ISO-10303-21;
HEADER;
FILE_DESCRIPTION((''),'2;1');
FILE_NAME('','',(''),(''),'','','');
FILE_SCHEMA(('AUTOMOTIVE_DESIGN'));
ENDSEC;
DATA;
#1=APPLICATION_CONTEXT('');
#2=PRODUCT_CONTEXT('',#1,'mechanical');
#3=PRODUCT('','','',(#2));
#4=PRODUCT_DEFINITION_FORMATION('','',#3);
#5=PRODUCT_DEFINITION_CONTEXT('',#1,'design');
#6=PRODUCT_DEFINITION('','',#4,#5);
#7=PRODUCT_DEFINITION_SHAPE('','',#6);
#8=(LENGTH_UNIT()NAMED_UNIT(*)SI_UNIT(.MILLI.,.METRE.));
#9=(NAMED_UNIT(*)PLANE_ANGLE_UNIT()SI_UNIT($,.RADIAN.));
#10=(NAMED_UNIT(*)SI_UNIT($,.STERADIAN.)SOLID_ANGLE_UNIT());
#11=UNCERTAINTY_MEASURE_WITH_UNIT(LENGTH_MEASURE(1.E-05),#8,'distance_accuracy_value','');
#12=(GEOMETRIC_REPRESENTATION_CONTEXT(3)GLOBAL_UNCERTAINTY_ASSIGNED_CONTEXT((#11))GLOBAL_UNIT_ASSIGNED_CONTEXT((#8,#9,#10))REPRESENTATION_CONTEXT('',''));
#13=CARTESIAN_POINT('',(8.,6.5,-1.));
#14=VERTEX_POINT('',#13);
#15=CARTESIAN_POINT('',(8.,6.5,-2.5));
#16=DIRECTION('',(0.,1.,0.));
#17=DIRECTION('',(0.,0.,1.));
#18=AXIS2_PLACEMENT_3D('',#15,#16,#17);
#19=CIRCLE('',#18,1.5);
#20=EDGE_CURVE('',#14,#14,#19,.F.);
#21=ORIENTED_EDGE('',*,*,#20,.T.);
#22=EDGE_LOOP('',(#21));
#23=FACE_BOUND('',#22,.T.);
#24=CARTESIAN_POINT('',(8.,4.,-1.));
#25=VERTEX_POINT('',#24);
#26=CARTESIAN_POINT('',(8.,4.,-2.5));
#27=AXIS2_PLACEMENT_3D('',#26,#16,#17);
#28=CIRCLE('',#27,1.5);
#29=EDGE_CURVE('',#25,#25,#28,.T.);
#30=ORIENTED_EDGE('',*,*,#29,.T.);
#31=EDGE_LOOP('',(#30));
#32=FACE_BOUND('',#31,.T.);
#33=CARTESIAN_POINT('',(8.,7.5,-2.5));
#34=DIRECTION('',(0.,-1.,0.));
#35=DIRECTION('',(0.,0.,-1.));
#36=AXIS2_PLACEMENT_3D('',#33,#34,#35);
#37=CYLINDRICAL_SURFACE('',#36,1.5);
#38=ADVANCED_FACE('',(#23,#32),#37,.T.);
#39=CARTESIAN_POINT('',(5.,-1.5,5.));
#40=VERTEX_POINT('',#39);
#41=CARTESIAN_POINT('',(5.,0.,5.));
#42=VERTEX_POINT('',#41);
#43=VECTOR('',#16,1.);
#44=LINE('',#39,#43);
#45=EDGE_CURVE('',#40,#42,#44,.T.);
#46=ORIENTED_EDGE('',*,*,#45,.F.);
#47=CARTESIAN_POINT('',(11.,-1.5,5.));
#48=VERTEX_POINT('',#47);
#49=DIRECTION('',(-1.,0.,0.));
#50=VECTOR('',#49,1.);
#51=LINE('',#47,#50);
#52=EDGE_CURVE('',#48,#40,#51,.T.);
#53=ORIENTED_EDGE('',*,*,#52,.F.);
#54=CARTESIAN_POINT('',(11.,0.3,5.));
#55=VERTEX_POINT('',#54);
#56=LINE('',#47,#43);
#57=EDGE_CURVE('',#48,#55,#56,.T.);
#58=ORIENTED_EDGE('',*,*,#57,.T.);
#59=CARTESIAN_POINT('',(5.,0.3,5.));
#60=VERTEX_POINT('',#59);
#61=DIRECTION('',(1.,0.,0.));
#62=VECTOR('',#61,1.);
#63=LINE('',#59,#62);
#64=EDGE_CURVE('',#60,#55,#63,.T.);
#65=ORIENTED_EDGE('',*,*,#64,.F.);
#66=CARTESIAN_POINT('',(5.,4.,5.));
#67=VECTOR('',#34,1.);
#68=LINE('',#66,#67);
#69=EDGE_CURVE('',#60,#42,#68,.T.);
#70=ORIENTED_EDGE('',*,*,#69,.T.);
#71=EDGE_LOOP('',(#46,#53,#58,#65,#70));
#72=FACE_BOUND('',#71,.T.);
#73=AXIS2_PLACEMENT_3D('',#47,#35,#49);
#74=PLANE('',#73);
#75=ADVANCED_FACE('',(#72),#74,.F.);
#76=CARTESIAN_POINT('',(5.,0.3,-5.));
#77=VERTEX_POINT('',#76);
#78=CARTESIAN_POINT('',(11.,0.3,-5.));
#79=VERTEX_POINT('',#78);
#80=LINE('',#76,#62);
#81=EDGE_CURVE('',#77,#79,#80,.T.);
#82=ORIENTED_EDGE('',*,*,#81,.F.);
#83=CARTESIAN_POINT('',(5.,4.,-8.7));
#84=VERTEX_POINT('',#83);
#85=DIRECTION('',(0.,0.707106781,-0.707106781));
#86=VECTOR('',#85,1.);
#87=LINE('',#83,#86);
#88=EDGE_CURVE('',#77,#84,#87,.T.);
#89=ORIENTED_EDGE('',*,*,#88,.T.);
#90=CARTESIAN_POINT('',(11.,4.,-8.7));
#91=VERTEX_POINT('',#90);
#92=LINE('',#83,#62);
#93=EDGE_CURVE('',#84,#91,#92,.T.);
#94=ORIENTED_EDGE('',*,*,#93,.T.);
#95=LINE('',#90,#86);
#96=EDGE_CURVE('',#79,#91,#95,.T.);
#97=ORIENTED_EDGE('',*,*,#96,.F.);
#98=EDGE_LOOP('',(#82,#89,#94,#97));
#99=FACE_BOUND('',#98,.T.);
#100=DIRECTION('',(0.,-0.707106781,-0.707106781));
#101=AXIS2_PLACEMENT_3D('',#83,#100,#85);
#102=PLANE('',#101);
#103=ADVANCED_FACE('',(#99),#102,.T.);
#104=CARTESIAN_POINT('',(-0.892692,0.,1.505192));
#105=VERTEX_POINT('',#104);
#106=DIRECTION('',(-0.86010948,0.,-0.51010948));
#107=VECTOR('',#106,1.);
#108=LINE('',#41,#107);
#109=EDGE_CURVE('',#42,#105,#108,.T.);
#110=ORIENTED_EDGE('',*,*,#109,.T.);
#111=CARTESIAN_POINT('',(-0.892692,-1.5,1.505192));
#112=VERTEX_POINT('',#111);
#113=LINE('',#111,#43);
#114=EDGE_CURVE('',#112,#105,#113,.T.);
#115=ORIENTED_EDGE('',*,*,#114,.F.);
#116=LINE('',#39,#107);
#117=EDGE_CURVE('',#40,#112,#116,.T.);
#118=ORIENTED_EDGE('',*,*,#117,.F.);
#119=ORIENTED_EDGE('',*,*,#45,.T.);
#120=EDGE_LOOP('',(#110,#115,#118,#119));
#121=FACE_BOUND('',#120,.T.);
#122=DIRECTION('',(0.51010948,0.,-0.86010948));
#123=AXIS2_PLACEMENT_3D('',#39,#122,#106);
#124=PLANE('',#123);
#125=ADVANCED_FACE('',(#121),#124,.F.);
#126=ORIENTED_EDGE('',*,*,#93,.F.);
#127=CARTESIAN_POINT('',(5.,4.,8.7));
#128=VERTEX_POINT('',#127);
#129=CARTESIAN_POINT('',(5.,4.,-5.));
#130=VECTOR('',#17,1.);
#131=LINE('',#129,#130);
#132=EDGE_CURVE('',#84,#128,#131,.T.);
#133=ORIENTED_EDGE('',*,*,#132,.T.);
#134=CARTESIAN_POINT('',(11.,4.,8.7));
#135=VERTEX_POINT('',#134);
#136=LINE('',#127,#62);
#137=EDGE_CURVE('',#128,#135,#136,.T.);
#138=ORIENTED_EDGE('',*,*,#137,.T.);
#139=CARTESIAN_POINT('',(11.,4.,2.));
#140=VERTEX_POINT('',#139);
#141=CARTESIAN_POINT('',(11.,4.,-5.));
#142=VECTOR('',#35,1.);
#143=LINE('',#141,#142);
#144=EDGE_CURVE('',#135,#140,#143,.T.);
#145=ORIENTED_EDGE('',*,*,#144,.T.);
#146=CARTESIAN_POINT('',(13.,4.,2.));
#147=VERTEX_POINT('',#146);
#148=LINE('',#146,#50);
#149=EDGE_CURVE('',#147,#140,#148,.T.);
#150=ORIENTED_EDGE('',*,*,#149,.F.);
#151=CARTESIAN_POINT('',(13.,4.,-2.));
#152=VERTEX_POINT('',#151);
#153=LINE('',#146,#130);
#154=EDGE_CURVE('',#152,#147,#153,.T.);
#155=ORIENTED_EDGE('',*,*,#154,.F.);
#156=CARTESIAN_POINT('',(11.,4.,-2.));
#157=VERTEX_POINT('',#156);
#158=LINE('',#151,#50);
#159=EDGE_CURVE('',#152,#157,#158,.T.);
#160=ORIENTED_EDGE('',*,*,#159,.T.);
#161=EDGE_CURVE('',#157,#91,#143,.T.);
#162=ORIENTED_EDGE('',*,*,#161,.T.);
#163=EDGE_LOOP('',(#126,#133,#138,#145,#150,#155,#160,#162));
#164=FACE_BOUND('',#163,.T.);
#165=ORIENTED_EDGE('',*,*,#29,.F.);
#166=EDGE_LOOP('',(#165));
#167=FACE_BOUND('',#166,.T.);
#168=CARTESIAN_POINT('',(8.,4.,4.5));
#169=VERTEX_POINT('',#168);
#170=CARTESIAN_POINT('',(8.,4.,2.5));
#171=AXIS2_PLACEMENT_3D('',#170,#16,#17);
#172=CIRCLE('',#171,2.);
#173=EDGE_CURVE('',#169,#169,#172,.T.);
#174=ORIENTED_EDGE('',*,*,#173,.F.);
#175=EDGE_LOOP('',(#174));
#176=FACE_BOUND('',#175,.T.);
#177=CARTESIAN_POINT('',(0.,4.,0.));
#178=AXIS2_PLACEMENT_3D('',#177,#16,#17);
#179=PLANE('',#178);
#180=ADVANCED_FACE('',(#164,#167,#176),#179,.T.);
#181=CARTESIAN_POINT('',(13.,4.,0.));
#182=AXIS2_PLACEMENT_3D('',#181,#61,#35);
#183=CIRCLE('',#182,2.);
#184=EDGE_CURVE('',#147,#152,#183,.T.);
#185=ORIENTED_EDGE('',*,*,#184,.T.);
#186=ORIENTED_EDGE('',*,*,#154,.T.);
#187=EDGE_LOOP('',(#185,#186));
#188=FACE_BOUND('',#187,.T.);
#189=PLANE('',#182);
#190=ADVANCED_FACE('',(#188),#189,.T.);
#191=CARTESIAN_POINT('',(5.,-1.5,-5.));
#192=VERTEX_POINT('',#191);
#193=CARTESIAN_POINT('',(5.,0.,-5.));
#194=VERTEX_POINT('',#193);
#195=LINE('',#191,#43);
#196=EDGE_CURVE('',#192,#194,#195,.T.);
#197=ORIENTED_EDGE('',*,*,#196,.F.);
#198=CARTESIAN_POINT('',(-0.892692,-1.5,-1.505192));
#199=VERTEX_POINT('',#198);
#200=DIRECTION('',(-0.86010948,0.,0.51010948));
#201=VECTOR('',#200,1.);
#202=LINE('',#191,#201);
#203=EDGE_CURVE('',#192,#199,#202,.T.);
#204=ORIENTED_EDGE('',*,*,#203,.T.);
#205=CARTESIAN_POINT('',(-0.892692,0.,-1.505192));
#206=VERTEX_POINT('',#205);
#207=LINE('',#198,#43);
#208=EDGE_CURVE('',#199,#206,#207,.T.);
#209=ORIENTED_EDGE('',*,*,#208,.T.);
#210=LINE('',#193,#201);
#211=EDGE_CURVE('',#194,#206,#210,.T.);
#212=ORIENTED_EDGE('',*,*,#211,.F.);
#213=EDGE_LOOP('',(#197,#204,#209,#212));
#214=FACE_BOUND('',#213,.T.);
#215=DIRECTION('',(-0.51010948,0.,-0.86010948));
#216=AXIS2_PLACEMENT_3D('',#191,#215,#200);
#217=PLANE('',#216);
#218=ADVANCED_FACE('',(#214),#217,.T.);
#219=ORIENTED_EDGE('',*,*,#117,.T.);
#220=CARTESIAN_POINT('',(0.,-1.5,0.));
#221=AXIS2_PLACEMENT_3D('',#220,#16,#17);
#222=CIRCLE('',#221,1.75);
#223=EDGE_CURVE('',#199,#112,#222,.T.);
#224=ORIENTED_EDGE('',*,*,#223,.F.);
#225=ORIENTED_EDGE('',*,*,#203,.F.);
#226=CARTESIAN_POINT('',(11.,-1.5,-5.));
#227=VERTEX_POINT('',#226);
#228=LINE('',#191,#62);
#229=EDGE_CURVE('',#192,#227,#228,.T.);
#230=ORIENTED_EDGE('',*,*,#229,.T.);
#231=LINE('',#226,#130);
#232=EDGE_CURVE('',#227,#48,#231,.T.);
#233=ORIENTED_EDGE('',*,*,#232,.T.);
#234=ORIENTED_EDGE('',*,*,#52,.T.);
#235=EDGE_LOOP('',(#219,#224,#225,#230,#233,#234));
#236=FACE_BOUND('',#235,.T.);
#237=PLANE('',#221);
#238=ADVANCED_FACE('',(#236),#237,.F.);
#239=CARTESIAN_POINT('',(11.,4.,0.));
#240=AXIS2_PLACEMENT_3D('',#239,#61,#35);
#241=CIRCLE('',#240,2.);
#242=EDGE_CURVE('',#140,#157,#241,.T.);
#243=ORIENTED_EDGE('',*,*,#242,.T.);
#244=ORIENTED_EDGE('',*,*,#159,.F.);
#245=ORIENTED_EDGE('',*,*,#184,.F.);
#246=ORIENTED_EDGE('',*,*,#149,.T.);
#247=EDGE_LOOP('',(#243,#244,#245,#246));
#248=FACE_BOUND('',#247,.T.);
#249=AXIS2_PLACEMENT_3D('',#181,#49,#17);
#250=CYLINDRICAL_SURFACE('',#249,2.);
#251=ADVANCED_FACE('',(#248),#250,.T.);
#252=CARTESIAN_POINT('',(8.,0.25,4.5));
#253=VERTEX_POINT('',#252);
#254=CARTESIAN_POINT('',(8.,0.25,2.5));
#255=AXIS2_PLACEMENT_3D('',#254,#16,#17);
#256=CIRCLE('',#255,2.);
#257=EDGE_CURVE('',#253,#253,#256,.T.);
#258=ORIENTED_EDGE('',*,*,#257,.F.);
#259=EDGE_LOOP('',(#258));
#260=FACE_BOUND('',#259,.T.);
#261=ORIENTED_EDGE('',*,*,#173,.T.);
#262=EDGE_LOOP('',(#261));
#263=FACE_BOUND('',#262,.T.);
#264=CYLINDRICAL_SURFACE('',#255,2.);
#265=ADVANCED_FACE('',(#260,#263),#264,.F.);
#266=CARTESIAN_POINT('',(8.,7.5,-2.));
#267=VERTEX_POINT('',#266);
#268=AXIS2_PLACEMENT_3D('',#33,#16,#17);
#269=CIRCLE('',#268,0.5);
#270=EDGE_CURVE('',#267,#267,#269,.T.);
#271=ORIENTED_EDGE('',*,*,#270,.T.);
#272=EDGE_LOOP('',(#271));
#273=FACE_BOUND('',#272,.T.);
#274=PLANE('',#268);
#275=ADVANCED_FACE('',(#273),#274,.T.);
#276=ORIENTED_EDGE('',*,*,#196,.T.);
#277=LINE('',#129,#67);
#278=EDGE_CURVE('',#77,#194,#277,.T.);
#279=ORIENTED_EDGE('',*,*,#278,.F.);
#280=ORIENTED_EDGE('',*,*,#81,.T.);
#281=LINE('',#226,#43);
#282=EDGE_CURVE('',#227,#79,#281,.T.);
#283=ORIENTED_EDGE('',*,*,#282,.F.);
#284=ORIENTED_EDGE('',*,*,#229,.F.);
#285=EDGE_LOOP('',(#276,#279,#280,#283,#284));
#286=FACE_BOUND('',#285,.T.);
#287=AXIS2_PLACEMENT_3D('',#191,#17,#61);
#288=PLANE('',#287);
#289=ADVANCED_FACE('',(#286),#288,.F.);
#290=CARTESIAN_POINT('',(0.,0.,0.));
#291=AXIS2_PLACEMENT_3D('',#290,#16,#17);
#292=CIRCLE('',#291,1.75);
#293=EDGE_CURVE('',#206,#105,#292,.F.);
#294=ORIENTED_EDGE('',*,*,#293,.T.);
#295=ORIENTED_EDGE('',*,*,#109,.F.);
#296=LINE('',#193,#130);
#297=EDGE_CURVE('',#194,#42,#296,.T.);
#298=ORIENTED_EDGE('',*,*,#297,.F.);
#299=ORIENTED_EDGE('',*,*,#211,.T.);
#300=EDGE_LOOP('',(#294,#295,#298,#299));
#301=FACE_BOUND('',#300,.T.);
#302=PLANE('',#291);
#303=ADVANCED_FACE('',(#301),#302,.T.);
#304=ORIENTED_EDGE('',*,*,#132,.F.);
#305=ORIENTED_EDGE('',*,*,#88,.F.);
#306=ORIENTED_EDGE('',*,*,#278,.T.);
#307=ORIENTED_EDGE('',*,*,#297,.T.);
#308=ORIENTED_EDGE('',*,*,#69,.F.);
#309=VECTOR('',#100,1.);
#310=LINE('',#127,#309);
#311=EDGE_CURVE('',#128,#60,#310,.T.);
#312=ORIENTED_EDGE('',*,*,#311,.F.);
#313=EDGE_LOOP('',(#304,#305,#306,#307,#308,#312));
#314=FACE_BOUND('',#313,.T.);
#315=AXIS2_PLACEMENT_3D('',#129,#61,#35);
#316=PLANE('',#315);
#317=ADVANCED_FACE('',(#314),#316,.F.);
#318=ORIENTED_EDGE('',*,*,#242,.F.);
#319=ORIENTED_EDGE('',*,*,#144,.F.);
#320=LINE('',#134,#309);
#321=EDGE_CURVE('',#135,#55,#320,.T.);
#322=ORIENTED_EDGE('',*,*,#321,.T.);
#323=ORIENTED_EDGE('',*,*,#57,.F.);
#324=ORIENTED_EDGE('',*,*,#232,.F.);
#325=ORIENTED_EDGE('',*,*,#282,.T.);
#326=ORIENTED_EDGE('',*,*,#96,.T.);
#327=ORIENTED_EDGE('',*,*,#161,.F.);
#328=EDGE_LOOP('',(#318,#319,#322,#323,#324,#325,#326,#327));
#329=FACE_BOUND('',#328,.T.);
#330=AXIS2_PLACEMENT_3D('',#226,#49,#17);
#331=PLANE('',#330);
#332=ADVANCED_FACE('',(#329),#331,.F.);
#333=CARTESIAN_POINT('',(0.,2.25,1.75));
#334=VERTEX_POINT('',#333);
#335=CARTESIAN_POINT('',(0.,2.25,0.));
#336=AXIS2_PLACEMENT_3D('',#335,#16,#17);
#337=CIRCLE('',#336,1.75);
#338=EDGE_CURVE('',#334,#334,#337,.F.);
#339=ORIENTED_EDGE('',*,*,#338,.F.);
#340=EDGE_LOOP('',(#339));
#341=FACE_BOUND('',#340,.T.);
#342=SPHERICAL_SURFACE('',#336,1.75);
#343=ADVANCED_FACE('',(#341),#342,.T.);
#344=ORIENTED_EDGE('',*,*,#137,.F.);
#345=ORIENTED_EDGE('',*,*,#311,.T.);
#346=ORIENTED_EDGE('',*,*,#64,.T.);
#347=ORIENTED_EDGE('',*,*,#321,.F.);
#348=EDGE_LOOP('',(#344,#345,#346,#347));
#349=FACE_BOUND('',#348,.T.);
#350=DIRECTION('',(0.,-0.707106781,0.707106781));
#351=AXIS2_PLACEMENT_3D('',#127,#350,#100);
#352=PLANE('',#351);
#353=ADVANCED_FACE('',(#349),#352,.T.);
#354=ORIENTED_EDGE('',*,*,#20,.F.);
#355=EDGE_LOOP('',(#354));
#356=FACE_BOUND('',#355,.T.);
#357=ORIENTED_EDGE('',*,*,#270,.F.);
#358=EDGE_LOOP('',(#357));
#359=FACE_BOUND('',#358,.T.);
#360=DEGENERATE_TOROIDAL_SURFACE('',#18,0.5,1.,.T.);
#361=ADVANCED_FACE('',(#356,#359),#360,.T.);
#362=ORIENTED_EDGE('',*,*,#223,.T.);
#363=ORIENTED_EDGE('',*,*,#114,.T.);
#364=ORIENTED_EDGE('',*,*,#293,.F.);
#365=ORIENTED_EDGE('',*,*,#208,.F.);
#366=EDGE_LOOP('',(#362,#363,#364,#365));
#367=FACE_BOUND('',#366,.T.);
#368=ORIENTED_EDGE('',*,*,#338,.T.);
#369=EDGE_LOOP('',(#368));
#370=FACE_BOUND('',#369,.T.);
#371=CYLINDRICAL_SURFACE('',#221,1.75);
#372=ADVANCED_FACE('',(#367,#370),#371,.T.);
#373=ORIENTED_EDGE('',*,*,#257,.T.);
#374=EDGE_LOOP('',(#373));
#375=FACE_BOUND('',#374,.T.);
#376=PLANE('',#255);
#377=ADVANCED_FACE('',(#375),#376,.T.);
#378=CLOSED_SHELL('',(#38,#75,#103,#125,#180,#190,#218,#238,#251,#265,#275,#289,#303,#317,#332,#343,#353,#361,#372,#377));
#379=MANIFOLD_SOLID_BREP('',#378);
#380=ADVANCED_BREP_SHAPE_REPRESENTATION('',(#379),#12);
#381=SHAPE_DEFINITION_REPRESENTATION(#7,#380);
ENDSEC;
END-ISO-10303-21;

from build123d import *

# Parameters (mm, degrees)
BOSS_EXTRUDE1_DEPTH = 1.5
BOSS_EXTRUDE2_START = 4
SKETCH2_R           = 1.75
SKETCH2_W           = 6
SKETCH2_H           = 10
BOSS_EXTRUDE2_DEPTH = 4
FILLET1_R           = 1.75
SKETCH4_R           = 1.5
BOSS_EXTRUDE4_DEPTH = 3.5
FILLET2_R           = 1
SKETCH5_R           = 2
CUT_EXTRUDE1_DEPTH  = 3.75
BOSS_EXTRUDE5_DEPTH = 2
BOSS_EXTRUDE6_DEPTH = 6


with BuildPart() as part:
    # Sketch1 → Boss-Extrude1 (new body)
    with BuildSketch(Plane(origin=(0, 0, 0), x_dir=(1, 0, 0), z_dir=(0, 1, 0))):
        with BuildLine():
            Line((5, 5), (11, 5))
            Line((11, 5), (11, -5))
            Line((11, -5), (5, -5))
            Line((5, -5), (-0.892691591, -1.505191591))
            ThreePointArc((-0.892691591, -1.505191591), (-1.75, 0), (-0.892691591, 1.505191591))
            Line((-0.892691591, 1.505191591), (5, 5))
        make_face()
    extrude(amount=-BOSS_EXTRUDE1_DEPTH)

    # Sketch2 → Boss-Extrude2 (add)
    with BuildSketch(Plane(origin=(0, 0, 0), x_dir=(1, 0, 0), z_dir=(0, 1, 0)).offset(BOSS_EXTRUDE2_START)):
        with Locations(Location((0, 0, 0), (0, 0, 270))):
            Circle(SKETCH2_R)
        with Locations((8, 0)):
            Rectangle(SKETCH2_W, SKETCH2_H)
    extrude(amount=-BOSS_EXTRUDE2_DEPTH)

    # Fillet1
    fillet1_edges = [part.edges().sort_by_distance(p)[0] for p in [
        (0, 4, -1.75),
    ]]
    fillet(fillet1_edges, radius=FILLET1_R)

    # Sketch4 → Boss-Extrude4 (add)
    with BuildSketch(Plane(origin=(0, 4, 0), x_dir=(1, 0, 0), z_dir=(0, 1, 0))):
        with Locations(Location((8, 2.5, 0), (0, 0, 270))):
            Circle(SKETCH4_R)
    extrude(amount=BOSS_EXTRUDE4_DEPTH)

    # Fillet2
    fillet2_edges = [part.edges().sort_by_distance(p)[0] for p in [
        (8, 7.5, -4),
    ]]
    fillet(fillet2_edges, radius=FILLET2_R)

    # Sketch5 → Cut-Extrude1 (cut)
    with BuildSketch(Plane(origin=(0, 4, 0), x_dir=(1, 0, 0), z_dir=(0, 1, 0))):
        with Locations(Location((8, -2.5, 0), (0, 0, 270))):
            Circle(SKETCH5_R)
    extrude(amount=-CUT_EXTRUDE1_DEPTH, mode=Mode.SUBTRACT)

    # Sketch6 → Boss-Extrude5 (add)
    with BuildSketch(Plane(origin=(11, 0, 0), x_dir=(0, 0, -1), z_dir=(1, 0, 0))):
        with BuildLine():
            Line((-2, 4), (2, 4))
            ThreePointArc((2, 4), (0, 2), (-2, 4))
        make_face()
    extrude(amount=BOSS_EXTRUDE5_DEPTH)

    # Sketch9 → Boss-Extrude6 (add)
    with BuildSketch(Plane(origin=(11, 0, 0), x_dir=(0, 0, -1), z_dir=(1, 0, 0))):
        Polygon((-5, 4), (-8.7, 4), (-5, 0.3), align=None)
        Polygon((5, 0.3), (5, 4), (8.7, 4), align=None)
    extrude(amount=-BOSS_EXTRUDE6_DEPTH)


solid = part.part
